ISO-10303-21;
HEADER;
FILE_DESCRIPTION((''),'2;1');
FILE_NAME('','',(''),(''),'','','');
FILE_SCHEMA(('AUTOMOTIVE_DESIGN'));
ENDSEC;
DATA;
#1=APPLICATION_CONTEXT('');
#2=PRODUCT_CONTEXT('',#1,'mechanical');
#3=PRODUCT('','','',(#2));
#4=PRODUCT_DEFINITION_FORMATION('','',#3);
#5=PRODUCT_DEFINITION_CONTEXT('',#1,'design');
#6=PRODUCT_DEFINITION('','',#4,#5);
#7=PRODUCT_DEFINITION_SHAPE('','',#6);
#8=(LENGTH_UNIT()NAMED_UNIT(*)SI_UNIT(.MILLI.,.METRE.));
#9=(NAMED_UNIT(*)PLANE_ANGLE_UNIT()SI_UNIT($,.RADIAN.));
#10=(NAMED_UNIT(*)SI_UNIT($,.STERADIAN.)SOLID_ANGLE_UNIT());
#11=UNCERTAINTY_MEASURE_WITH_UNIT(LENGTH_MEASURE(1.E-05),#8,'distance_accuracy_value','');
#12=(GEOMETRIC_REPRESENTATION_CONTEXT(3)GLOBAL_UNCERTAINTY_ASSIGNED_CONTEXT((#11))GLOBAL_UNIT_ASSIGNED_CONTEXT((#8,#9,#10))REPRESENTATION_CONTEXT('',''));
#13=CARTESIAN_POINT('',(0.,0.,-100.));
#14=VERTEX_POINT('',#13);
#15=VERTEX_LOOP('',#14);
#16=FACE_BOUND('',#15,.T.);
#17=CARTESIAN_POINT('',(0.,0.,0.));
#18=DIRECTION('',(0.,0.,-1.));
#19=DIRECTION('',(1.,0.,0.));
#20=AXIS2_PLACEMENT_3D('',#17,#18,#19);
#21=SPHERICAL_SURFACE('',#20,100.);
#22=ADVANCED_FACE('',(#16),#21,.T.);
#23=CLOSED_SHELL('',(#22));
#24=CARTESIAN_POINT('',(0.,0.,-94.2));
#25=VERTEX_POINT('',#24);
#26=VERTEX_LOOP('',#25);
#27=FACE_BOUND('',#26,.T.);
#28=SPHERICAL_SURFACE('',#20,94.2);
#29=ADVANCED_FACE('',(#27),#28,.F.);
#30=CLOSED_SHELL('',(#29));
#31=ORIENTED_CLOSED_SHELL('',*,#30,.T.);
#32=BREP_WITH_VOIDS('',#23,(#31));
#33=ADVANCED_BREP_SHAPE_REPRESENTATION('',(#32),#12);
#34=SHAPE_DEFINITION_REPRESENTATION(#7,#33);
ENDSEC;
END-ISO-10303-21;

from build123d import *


with BuildPart() as part:
    # Эскиз1 → Повернуть1 (revolve)
    with BuildSketch(Plane(origin=(0, 0, 0), x_dir=(1, 0, 0), z_dir=(0, 1, 0))):
        with BuildLine():
            Line((0, 100), (0, 94.2))
            ThreePointArc((0, 94.2), (94.2, 0), (0, -94.2))
            Line((0, -94.2), (0, -100))
            ThreePointArc((0, -100), (100, 0), (0, 100))
        make_face()
    revolve(axis=Axis((0, 0, -100), (0, 0, 1)))


solid = part.part
